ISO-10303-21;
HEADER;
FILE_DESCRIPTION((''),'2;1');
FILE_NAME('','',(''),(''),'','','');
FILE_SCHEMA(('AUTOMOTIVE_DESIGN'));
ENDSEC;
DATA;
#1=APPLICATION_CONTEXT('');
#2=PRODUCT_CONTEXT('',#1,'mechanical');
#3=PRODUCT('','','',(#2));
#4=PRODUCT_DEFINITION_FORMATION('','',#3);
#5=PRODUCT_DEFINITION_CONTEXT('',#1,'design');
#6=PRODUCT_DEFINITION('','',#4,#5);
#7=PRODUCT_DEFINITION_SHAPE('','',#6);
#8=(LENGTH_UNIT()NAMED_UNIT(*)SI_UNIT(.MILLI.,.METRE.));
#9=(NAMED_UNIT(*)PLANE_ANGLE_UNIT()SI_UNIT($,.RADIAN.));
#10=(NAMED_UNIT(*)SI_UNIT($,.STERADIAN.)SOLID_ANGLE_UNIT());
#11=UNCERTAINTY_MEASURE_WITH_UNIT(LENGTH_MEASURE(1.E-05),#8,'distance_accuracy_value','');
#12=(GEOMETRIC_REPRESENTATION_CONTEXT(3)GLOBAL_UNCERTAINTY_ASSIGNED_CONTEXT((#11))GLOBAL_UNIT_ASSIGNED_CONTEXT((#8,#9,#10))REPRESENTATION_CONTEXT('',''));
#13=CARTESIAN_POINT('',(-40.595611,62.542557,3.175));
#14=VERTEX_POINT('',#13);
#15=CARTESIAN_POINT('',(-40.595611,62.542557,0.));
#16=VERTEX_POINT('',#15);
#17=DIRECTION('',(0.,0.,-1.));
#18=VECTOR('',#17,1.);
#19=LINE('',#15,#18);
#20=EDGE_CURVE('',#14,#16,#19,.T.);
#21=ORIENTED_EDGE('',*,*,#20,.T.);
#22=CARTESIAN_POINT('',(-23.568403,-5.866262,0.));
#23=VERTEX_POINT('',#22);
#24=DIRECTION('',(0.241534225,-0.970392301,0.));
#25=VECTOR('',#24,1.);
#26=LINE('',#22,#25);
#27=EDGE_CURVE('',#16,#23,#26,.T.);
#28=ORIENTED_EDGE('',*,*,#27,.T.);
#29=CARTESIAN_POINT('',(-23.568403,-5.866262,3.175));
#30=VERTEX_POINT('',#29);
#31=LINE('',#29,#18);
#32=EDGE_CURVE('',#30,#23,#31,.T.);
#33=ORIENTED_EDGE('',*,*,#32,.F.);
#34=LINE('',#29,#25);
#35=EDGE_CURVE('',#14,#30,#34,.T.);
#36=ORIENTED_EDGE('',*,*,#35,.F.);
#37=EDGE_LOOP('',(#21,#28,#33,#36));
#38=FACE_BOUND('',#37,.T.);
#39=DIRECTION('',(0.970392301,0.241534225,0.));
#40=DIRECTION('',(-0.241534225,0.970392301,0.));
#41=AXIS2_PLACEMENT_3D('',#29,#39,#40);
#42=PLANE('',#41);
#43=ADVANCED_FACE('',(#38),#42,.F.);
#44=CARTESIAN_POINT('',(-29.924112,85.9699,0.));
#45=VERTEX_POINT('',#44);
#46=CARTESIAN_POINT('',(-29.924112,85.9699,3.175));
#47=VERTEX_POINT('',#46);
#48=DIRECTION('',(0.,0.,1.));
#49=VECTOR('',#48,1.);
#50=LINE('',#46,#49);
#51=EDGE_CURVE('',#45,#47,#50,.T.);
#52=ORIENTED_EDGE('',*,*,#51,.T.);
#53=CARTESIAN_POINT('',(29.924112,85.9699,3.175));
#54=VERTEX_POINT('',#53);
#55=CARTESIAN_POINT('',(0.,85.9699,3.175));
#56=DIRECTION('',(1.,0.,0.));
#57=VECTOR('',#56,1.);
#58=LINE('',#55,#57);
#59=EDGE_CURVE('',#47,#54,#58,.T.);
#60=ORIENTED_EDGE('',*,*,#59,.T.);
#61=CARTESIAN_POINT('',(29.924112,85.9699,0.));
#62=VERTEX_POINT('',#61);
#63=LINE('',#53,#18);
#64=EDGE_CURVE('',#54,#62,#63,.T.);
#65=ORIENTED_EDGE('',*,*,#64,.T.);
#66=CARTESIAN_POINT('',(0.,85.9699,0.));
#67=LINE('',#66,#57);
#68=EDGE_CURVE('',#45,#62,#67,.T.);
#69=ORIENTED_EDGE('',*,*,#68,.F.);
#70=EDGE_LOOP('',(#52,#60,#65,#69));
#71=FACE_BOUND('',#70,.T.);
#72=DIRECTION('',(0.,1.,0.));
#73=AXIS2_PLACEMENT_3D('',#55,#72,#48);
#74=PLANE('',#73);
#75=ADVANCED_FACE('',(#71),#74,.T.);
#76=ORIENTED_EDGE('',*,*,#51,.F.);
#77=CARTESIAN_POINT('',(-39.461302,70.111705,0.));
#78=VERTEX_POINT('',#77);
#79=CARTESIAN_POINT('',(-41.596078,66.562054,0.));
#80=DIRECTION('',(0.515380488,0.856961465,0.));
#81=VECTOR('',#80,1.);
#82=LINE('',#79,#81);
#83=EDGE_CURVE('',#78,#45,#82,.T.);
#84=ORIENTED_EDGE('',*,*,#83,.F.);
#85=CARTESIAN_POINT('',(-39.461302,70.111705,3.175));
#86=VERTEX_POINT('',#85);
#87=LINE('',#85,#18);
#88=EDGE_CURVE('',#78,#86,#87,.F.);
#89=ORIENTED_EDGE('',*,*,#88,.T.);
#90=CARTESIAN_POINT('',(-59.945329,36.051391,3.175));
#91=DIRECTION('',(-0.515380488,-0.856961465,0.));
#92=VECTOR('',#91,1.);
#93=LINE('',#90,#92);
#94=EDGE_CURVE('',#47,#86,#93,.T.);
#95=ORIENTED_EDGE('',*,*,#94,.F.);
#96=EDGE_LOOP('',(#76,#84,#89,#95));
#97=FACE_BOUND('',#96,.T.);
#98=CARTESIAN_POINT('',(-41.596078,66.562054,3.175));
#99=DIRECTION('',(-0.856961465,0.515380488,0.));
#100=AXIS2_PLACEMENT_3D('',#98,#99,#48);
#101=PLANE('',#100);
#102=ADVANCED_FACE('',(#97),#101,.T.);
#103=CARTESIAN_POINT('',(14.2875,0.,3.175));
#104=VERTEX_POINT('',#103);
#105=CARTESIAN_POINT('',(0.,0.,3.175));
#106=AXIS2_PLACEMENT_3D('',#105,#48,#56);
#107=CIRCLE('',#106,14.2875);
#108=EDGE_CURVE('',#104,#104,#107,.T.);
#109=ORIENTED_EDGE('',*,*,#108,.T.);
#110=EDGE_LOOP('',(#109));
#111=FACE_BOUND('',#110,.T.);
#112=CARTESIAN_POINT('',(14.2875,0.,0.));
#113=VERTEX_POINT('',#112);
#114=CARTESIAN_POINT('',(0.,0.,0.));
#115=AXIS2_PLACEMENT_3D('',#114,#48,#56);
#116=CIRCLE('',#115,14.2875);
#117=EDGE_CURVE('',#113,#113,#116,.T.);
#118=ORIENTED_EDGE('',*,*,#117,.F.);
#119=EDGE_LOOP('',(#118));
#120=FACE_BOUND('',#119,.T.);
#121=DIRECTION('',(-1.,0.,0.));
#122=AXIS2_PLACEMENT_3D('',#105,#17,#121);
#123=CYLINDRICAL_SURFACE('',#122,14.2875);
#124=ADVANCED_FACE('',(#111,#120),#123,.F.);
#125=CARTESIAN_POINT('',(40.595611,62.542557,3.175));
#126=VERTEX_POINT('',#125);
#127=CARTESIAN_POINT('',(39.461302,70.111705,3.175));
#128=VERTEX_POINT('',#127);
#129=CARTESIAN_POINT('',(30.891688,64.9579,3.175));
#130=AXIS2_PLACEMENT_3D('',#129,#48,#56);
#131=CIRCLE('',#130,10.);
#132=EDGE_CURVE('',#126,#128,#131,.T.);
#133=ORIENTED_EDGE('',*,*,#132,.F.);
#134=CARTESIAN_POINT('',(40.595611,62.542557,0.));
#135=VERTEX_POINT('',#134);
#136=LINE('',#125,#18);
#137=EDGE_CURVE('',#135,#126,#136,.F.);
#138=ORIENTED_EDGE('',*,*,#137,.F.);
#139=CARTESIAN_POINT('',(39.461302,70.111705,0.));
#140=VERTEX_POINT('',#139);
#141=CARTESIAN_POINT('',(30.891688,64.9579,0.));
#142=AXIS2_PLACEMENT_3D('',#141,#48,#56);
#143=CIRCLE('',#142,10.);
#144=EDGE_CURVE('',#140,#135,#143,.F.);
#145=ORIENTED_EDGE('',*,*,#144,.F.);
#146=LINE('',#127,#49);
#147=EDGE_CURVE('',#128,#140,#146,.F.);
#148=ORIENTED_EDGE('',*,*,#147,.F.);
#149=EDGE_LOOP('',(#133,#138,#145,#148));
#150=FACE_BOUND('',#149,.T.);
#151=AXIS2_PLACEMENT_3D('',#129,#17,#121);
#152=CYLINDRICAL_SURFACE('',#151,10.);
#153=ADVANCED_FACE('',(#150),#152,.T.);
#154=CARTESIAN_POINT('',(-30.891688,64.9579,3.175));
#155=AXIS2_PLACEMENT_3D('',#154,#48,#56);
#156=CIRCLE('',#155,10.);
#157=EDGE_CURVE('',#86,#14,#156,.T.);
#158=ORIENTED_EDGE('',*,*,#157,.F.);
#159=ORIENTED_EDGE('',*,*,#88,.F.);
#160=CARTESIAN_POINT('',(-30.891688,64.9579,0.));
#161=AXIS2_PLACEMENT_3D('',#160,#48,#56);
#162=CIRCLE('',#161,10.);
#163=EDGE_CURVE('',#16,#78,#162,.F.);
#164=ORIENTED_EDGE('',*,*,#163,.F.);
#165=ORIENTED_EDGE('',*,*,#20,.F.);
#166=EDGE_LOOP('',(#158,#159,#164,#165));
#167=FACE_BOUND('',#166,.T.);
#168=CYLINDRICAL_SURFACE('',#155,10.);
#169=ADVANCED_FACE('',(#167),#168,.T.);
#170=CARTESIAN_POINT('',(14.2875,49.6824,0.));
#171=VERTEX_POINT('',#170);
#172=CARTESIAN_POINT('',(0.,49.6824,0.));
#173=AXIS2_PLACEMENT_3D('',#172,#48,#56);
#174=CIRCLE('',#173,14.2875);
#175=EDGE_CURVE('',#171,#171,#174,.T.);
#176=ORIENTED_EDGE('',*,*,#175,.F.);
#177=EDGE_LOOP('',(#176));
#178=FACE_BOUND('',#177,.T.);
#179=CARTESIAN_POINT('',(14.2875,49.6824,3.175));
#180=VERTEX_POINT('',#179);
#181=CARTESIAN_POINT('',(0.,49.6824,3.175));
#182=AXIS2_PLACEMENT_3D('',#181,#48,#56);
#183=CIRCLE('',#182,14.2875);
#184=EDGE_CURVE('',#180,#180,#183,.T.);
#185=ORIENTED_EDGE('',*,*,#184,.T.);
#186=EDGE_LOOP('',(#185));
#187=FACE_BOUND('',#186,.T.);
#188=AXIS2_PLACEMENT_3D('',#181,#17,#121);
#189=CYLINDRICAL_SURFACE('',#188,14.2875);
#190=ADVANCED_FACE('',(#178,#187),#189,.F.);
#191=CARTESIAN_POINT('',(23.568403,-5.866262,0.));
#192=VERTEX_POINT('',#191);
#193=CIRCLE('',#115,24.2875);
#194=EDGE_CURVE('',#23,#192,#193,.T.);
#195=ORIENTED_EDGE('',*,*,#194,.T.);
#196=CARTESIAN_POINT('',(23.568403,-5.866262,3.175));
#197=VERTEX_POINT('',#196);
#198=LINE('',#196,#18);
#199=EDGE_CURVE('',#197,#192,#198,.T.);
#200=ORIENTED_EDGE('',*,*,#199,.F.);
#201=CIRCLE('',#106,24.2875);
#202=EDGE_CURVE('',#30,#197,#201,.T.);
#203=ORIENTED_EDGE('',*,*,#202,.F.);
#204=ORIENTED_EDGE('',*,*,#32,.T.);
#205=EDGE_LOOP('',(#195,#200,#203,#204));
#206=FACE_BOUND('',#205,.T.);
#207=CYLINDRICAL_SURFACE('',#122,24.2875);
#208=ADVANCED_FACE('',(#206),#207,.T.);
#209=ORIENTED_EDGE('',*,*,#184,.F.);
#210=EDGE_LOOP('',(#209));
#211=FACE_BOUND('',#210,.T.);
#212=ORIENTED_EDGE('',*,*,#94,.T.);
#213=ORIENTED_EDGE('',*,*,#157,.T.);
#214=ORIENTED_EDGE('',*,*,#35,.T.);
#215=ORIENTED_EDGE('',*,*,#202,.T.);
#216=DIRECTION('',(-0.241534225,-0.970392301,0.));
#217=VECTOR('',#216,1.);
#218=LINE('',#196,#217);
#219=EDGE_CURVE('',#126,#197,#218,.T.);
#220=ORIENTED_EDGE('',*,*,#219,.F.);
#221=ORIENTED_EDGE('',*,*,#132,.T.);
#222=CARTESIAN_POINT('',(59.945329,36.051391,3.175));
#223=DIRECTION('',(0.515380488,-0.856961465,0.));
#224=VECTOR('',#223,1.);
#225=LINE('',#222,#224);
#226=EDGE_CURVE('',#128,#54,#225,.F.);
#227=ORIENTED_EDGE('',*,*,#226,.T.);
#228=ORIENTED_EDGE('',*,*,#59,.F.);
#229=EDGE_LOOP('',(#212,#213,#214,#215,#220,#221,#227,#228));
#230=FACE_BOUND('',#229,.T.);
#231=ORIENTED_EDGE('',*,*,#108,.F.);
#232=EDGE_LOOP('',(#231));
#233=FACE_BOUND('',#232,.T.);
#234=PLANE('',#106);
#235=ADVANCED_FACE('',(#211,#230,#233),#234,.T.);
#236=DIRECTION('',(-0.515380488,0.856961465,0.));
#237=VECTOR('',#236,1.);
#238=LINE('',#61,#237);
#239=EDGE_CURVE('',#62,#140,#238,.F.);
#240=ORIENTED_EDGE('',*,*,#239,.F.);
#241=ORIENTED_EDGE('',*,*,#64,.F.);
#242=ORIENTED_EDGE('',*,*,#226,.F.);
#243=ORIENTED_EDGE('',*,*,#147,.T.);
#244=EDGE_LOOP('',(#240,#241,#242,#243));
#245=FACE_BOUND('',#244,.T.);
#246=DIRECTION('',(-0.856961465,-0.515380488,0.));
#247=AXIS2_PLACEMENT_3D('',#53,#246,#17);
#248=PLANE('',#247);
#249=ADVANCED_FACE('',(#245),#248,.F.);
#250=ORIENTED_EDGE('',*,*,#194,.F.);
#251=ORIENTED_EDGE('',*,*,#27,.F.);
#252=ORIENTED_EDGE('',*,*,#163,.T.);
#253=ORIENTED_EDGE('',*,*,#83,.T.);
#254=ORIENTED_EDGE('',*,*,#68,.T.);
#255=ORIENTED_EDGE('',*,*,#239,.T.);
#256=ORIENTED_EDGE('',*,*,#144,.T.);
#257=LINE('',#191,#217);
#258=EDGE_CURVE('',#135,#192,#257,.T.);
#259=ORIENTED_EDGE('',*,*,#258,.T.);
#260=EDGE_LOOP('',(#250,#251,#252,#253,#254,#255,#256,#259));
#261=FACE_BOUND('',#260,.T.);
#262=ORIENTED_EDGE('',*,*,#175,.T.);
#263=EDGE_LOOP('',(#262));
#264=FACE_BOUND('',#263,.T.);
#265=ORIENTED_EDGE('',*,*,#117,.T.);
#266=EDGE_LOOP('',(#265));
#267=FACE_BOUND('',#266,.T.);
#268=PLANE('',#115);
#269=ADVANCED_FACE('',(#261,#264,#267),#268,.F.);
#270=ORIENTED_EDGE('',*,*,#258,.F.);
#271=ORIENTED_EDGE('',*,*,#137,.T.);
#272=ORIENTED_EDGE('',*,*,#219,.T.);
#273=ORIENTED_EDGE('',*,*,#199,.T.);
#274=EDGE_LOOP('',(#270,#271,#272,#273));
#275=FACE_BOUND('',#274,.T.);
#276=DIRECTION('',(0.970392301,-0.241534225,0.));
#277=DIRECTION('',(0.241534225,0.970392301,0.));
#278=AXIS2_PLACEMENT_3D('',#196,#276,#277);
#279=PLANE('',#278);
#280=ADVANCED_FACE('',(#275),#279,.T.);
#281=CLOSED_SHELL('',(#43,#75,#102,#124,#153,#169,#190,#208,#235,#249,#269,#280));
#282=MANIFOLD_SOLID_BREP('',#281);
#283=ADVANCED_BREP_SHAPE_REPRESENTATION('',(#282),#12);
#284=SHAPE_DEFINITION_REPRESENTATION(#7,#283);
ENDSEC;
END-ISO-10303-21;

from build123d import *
from OCP.BRepFilletAPI import BRepFilletAPI_MakeChamfer

# Parameters (mm, degrees)
SKETCH1_R           = 14.2875
BOSS_EXTRUDE1_DEPTH = 3.175
CHAMFER1_SIZE       = 20
CHAMFER1_SIZE2      = 16.502650584
FILLET1_R           = 10


with BuildPart() as part:
    # Sketch1 → Boss-Extrude1 (new body)
    with BuildSketch(Plane.XY):
        with BuildLine():
            ThreePointArc((-23.568403012, -5.866262499), (0, -24.2875), (23.568403012, -5.866262499))
            Line((23.568403012, -5.866262499), (46.42676282, 85.9699))
            Line((46.42676282, 85.9699), (-46.42676282, 85.9699))
            Line((-46.42676282, 85.9699), (-23.568403012, -5.866262499))
        make_face()
        Circle(SKETCH1_R, mode=Mode.SUBTRACT)
        with Locations((0, 49.6824)):
            Circle(SKETCH1_R, mode=Mode.SUBTRACT)
    extrude(amount=BOSS_EXTRUDE1_DEPTH)

    # Chamfer1: one chamfer whose edges measure the first distance from different faces: ONE call of the kernel's chamfer builder (chamfer() names one face for all edges)
    chamfer1_edges_1 = [part.edges().sort_by_distance(p)[0] for p in [
        (-46.42676282, 85.9699, 1.5875),
    ]]
    chamfer1_side_1 = [part.faces().sort_by_distance(p)[0] for p in [
        (-34.997582916, 40.05181875, 1.5875),
    ]]
    chamfer1_edges_2 = [part.edges().sort_by_distance(p)[0] for p in [
        (46.42676282, 85.9699, 1.5875),
    ]]
    chamfer1_side_2 = [part.faces().sort_by_distance(p)[0] for p in [
        (34.997582916, 40.05181875, 1.5875),
    ]]
    chamfer1 = BRepFilletAPI_MakeChamfer(part.part.solid().wrapped)
    for e in chamfer1_edges_1:
        chamfer1.Add(CHAMFER1_SIZE, CHAMFER1_SIZE2, e.wrapped, chamfer1_side_1[0].wrapped)  # the first distance lies on this face
    for e in chamfer1_edges_2:
        chamfer1.Add(CHAMFER1_SIZE, CHAMFER1_SIZE2, e.wrapped, chamfer1_side_2[0].wrapped)  # the first distance lies on this face
    add(Compound.cast(chamfer1.Shape()), mode=Mode.REPLACE)

    # Fillet1
    fillet1_edges = [part.edges().sort_by_distance(p)[0] for p in [
        (-41.596078312, 66.562053979, 1.5875),
        (41.596078312, 66.562053979, 1.5875),
    ]]
    fillet(fillet1_edges, radius=FILLET1_R)


solid = part.part
